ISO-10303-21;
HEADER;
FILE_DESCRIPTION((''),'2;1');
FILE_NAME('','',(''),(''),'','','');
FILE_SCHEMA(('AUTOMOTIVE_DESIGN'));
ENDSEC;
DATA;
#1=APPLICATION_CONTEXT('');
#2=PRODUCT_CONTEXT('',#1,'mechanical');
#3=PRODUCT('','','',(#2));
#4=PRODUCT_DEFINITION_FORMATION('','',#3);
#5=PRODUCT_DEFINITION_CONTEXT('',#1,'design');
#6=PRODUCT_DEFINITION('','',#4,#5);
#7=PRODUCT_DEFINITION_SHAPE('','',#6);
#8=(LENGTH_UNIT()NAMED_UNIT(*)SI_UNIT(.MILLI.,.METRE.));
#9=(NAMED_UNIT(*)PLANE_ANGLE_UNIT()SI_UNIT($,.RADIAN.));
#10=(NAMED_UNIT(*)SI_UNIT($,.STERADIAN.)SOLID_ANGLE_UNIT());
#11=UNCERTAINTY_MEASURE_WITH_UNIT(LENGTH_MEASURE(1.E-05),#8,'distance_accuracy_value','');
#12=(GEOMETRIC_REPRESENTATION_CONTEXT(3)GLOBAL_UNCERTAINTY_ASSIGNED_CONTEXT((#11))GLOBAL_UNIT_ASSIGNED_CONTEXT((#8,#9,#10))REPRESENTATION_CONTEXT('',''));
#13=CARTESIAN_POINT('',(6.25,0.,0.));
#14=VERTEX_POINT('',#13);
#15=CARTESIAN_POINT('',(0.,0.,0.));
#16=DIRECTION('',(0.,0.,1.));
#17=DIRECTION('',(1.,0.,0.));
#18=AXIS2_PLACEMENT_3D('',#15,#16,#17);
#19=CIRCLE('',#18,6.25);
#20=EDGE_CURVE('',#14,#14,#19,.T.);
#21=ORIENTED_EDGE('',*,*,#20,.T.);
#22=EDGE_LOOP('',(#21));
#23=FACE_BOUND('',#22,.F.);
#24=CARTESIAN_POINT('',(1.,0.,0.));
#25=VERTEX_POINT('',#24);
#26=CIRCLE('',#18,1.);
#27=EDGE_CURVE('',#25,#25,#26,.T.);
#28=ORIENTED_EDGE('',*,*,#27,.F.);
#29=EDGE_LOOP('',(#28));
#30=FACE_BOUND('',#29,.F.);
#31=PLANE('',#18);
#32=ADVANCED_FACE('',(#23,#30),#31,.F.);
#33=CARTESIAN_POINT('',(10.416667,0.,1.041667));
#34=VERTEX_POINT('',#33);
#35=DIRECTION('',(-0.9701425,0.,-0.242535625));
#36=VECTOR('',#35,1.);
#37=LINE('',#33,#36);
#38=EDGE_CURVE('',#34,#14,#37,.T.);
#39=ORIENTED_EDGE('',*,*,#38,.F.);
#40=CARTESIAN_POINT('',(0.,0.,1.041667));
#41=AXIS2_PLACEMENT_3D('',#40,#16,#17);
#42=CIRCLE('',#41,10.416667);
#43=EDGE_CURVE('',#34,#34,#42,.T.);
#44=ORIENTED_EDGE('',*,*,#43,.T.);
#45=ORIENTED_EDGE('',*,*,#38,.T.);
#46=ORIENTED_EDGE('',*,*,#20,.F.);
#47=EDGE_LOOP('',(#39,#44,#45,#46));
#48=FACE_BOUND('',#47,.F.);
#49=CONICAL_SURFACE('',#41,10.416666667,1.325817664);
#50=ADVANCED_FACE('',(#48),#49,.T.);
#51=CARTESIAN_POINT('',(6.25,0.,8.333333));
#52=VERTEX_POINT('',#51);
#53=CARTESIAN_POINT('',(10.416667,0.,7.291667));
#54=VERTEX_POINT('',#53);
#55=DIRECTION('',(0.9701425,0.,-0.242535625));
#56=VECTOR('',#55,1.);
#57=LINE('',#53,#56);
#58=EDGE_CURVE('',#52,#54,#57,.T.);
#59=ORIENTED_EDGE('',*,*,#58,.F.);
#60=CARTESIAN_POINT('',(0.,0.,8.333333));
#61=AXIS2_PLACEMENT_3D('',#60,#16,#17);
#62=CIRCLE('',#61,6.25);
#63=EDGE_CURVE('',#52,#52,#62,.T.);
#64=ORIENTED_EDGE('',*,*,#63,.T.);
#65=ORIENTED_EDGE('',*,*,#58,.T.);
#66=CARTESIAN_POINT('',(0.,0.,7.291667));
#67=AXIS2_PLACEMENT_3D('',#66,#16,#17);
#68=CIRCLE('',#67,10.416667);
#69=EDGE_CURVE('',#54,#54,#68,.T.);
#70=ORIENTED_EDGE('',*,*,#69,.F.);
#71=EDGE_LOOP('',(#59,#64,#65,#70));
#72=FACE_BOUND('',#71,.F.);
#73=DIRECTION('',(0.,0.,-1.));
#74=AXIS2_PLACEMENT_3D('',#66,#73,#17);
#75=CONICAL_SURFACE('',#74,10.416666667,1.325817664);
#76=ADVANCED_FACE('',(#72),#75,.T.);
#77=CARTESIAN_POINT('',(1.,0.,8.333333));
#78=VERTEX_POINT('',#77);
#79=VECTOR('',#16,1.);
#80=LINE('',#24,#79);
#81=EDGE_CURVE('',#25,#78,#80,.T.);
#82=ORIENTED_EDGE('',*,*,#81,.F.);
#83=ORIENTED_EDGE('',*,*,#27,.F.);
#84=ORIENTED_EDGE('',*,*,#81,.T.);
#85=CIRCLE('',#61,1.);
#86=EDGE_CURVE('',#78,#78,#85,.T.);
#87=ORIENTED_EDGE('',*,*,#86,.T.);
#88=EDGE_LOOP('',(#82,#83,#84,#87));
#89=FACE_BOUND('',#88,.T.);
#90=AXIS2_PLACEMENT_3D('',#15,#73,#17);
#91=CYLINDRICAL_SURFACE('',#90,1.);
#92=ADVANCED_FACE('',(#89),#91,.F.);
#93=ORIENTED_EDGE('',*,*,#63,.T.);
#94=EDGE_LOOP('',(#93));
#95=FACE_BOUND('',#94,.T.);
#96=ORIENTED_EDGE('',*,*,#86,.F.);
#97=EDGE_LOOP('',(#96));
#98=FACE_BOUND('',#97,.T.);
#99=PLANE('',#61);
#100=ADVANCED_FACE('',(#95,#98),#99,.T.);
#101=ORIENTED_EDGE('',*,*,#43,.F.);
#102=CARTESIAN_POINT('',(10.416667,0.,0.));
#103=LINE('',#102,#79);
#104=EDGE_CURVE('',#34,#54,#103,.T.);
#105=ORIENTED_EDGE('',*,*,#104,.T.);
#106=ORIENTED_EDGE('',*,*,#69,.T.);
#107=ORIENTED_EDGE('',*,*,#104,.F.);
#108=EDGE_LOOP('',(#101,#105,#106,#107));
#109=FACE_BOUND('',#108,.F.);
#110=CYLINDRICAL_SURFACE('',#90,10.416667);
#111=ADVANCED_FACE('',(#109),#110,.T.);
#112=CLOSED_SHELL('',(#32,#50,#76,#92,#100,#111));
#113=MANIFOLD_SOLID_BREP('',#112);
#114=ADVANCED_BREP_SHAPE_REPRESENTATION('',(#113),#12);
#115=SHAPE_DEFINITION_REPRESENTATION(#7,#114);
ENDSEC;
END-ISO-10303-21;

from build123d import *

# Parameters (mm, degrees)
F0_R     = 10.4166666667
F0_R_2   = 1
F1_DEPTH = 8.3333333333
F2_SIZE2 = 1.0416666667
F2_SIZE  = 4.1666666667
F3_SIZE2 = 4.1666666667
F3_SIZE  = 1.0416666667


with BuildPart() as f1:
    # F0 (on Top) → F1 (new body)
    with BuildSketch(Plane.XY):
        Circle(F0_R)
        Circle(F0_R_2, mode=Mode.SUBTRACT)
    extrude(amount=F1_DEPTH)

    # F2
    f2_edges = [f1.edges().sort_by_distance(p)[0] for p in [
        (-10.416667, 0, 8.333333),
    ]]
    f2_side = f1.faces().sort_by_distance((-10.122039, 0, 8.333333))[0]
    chamfer(f2_edges, length=F2_SIZE, length2=F2_SIZE2, reference=f2_side)

    # F3
    f3_edges = [f1.edges().sort_by_distance(p)[0] for p in [
        (-10.416667, 0, 0),
    ]]
    f3_side = f1.faces().sort_by_distance((-10.416667, 0, 3.645833))[0]
    chamfer(f3_edges, length=F3_SIZE, length2=F3_SIZE2, reference=f3_side)


solid = f1.part
